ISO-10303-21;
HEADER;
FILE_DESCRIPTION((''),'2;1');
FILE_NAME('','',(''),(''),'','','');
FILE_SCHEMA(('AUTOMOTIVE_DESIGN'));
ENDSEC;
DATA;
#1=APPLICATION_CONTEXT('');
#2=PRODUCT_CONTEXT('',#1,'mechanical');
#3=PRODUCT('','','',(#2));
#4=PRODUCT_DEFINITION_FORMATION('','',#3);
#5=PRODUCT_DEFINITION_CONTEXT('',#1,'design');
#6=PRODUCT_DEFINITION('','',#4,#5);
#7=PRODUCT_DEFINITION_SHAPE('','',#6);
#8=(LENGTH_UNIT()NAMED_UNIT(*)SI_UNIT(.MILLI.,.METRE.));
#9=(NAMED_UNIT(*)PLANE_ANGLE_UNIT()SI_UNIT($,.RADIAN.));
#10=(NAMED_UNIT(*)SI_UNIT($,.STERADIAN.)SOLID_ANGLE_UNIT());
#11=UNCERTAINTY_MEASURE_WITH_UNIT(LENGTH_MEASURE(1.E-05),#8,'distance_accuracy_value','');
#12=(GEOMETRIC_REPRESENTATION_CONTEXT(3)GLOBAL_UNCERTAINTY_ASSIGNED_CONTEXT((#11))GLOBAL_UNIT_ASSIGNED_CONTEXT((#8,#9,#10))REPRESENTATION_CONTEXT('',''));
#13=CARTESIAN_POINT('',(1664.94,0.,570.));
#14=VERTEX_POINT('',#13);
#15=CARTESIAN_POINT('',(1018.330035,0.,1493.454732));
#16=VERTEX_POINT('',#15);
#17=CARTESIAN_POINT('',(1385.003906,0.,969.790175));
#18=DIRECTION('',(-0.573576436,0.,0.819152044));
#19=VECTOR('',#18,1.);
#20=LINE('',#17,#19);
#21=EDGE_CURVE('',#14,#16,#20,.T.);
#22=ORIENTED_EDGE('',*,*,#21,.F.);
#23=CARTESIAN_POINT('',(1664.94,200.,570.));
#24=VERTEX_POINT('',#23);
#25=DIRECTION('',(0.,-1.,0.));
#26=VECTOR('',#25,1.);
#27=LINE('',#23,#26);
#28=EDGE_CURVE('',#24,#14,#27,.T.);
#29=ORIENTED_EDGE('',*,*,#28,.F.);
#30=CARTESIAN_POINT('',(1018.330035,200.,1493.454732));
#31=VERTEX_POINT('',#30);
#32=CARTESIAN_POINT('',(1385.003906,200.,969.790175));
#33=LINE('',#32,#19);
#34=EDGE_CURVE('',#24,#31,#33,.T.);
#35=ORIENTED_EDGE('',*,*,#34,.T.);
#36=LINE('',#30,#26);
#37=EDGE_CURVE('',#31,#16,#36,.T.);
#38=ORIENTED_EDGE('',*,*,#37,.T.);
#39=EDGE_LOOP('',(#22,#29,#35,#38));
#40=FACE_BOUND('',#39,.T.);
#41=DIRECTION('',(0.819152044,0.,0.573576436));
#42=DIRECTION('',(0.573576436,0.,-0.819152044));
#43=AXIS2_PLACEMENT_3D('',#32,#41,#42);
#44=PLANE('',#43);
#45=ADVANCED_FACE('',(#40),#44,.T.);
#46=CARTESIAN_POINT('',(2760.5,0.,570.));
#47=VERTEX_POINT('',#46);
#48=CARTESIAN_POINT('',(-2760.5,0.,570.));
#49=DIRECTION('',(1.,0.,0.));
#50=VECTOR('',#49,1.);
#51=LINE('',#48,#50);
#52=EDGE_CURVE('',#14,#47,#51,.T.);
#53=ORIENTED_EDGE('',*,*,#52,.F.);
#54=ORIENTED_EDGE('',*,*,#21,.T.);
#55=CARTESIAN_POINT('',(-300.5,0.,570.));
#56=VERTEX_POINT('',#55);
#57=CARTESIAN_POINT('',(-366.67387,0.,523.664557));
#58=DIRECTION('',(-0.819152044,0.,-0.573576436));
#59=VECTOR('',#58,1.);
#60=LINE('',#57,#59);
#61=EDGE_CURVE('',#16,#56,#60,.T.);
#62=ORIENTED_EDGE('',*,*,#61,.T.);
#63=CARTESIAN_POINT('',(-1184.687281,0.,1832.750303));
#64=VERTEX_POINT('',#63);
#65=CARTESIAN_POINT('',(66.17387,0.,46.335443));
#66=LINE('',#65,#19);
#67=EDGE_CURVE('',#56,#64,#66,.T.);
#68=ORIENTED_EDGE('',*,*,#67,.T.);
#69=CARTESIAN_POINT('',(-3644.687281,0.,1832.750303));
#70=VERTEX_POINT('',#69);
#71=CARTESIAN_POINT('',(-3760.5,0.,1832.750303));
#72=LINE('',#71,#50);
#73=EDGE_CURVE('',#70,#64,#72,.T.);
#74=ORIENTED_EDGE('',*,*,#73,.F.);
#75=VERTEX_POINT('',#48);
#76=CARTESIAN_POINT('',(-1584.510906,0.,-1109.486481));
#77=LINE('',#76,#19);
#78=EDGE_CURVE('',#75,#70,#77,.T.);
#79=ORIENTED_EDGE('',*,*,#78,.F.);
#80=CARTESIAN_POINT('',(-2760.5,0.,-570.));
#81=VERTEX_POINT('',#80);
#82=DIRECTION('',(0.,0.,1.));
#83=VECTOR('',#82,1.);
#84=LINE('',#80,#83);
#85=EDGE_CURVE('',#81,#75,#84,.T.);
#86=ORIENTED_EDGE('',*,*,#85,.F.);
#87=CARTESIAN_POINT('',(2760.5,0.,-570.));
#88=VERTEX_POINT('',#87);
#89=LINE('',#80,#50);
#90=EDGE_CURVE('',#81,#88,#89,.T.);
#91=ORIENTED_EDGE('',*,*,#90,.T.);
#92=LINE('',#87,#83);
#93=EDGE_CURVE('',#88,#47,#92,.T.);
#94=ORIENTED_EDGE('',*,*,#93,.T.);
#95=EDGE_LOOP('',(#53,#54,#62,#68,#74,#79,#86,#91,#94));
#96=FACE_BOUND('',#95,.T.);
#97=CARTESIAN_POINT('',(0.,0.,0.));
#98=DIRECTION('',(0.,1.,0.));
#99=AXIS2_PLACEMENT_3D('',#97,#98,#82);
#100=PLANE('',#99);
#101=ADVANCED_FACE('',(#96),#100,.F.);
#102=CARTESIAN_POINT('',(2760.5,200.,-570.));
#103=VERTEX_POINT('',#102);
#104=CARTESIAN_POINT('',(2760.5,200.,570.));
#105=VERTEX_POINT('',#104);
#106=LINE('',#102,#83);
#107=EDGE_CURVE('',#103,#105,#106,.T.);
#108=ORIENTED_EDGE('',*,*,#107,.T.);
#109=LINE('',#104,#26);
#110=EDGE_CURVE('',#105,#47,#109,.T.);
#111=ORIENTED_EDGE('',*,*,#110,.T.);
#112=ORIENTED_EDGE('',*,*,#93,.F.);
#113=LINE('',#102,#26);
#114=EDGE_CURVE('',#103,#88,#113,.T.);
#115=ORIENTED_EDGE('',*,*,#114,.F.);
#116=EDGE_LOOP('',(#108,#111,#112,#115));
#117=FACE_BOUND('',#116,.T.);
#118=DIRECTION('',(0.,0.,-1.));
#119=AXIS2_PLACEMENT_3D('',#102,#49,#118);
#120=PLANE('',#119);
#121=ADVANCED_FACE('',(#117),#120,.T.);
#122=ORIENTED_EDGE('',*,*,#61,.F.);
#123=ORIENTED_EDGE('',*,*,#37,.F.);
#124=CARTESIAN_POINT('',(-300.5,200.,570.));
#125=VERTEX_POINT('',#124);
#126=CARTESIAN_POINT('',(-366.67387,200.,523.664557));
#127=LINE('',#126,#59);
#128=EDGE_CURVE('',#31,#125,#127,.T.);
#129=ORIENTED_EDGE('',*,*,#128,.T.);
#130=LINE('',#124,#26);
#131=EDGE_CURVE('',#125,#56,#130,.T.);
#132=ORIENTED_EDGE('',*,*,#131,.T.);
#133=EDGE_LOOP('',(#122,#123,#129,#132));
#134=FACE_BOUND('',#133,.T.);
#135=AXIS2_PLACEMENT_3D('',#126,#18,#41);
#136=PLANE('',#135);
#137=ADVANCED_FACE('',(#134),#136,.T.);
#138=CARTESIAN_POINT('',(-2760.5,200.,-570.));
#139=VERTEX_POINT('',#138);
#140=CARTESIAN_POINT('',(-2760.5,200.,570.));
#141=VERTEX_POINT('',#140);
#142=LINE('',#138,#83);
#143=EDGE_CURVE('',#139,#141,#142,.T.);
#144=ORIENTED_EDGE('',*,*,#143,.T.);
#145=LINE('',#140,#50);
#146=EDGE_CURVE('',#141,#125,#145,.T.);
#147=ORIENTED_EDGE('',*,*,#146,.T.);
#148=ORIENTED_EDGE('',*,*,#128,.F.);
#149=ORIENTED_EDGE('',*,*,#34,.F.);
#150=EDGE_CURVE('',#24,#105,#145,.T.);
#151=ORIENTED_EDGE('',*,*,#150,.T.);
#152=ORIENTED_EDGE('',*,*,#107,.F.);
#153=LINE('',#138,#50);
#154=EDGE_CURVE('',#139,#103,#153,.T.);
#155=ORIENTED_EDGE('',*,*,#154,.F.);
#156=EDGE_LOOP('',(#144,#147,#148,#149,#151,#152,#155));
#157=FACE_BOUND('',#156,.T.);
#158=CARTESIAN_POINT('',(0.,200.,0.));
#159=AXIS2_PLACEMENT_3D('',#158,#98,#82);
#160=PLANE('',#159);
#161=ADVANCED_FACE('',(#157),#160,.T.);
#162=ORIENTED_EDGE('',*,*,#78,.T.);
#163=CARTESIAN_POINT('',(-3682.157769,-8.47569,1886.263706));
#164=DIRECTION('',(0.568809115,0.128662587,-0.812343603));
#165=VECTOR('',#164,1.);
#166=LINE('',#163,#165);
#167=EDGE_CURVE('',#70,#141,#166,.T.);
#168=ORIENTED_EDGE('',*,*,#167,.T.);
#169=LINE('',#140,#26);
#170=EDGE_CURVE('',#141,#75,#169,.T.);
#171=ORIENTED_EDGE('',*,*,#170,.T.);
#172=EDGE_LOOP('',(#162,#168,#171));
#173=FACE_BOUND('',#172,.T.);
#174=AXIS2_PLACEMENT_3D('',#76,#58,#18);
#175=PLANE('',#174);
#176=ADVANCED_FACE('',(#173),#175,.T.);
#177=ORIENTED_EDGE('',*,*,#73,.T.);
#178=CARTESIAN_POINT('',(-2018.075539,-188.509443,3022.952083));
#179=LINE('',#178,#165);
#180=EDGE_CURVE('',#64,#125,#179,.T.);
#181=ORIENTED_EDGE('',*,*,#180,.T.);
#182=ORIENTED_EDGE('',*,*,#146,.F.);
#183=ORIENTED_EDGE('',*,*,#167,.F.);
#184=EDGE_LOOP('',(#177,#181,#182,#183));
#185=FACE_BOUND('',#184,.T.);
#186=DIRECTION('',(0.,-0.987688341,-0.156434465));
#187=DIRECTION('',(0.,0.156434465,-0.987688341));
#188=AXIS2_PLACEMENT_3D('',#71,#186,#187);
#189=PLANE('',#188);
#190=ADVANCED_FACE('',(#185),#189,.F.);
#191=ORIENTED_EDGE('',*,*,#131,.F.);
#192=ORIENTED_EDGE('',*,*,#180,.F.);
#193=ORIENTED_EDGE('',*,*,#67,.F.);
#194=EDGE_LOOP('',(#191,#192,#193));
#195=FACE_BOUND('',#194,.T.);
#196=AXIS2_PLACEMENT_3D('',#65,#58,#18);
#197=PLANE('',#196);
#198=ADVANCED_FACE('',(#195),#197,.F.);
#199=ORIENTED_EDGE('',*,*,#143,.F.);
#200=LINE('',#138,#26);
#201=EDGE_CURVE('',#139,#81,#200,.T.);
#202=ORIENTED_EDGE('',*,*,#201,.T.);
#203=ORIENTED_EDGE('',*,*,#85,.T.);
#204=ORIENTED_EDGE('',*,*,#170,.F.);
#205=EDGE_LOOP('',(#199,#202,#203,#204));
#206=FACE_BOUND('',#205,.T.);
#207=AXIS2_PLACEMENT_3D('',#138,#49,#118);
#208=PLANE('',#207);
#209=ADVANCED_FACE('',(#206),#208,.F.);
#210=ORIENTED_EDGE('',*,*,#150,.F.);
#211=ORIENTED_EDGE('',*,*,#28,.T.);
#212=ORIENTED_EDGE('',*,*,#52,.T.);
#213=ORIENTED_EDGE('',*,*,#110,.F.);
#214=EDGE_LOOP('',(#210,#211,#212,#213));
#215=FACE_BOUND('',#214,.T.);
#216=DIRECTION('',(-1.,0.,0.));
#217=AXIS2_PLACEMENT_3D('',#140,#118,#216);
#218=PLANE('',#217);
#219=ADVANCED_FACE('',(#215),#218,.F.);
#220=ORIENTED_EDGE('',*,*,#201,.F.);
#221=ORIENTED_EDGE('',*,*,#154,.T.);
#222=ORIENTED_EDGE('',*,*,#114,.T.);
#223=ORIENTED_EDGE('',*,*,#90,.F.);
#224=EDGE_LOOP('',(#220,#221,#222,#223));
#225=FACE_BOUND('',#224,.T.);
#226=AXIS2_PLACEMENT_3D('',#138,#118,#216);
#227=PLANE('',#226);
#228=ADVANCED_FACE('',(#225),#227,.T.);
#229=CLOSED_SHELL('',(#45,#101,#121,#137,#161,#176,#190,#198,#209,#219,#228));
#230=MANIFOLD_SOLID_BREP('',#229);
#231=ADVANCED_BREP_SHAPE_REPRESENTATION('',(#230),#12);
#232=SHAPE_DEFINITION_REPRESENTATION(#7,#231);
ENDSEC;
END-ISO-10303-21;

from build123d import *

# Parameters (mm, degrees)
EXTRUDE_1_DEPTH      = 200
EXTRUDE_3_DEPTH      = 1000
EXTRUDE_3_DEPTH_BACK = 2460
CUT_EXTRUDE_1_DEPTH  = 201


with BuildPart() as part:
    # 草图1 → 凸台-拉伸1 (new body)
    with BuildSketch(Plane(origin=(0, 0, 0), x_dir=(1, 0, 0), z_dir=(0, 1, 0))):
        Polygon((1018.330035249, -1493.454732299), (1664.94, -570), (2760.5, -570), (2760.5, 570), (-2760.5, 570), (-2760.5, -570), (-300.5, -570), align=None)
    extrude(amount=EXTRUDE_1_DEPTH)

    # 草图3 → 凸台-拉伸3 (add, two sides)
    with BuildSketch(Plane.ZY.offset(2760.5)) as extrude_3_sk:
        Polygon((570, 200), (570, 0), (1832.750302935, 0), align=None)
    extrude(amount=EXTRUDE_3_DEPTH)
    extrude(extrude_3_sk.sketch, amount=-EXTRUDE_3_DEPTH_BACK)

    # 草图4 → 切除-拉伸1 (cut, through all)
    with BuildSketch(Plane(origin=(0, 200, 0), x_dir=(1, 0, 0), z_dir=(0, 1, 0))):
        Polygon((-3760.5, -570), (-2760.5, -570), (-3644.687280992, -1832.750302935), (-3760.5, -1832.750302935), align=None)
        Polygon((-1184.687280992, -1832.750302935), (134.142754257, -2756.205035234), (1018.330035249, -1493.454732299), (-300.5, -570), align=None)
    extrude(amount=-CUT_EXTRUDE_1_DEPTH, mode=Mode.SUBTRACT)


solid = part.part
